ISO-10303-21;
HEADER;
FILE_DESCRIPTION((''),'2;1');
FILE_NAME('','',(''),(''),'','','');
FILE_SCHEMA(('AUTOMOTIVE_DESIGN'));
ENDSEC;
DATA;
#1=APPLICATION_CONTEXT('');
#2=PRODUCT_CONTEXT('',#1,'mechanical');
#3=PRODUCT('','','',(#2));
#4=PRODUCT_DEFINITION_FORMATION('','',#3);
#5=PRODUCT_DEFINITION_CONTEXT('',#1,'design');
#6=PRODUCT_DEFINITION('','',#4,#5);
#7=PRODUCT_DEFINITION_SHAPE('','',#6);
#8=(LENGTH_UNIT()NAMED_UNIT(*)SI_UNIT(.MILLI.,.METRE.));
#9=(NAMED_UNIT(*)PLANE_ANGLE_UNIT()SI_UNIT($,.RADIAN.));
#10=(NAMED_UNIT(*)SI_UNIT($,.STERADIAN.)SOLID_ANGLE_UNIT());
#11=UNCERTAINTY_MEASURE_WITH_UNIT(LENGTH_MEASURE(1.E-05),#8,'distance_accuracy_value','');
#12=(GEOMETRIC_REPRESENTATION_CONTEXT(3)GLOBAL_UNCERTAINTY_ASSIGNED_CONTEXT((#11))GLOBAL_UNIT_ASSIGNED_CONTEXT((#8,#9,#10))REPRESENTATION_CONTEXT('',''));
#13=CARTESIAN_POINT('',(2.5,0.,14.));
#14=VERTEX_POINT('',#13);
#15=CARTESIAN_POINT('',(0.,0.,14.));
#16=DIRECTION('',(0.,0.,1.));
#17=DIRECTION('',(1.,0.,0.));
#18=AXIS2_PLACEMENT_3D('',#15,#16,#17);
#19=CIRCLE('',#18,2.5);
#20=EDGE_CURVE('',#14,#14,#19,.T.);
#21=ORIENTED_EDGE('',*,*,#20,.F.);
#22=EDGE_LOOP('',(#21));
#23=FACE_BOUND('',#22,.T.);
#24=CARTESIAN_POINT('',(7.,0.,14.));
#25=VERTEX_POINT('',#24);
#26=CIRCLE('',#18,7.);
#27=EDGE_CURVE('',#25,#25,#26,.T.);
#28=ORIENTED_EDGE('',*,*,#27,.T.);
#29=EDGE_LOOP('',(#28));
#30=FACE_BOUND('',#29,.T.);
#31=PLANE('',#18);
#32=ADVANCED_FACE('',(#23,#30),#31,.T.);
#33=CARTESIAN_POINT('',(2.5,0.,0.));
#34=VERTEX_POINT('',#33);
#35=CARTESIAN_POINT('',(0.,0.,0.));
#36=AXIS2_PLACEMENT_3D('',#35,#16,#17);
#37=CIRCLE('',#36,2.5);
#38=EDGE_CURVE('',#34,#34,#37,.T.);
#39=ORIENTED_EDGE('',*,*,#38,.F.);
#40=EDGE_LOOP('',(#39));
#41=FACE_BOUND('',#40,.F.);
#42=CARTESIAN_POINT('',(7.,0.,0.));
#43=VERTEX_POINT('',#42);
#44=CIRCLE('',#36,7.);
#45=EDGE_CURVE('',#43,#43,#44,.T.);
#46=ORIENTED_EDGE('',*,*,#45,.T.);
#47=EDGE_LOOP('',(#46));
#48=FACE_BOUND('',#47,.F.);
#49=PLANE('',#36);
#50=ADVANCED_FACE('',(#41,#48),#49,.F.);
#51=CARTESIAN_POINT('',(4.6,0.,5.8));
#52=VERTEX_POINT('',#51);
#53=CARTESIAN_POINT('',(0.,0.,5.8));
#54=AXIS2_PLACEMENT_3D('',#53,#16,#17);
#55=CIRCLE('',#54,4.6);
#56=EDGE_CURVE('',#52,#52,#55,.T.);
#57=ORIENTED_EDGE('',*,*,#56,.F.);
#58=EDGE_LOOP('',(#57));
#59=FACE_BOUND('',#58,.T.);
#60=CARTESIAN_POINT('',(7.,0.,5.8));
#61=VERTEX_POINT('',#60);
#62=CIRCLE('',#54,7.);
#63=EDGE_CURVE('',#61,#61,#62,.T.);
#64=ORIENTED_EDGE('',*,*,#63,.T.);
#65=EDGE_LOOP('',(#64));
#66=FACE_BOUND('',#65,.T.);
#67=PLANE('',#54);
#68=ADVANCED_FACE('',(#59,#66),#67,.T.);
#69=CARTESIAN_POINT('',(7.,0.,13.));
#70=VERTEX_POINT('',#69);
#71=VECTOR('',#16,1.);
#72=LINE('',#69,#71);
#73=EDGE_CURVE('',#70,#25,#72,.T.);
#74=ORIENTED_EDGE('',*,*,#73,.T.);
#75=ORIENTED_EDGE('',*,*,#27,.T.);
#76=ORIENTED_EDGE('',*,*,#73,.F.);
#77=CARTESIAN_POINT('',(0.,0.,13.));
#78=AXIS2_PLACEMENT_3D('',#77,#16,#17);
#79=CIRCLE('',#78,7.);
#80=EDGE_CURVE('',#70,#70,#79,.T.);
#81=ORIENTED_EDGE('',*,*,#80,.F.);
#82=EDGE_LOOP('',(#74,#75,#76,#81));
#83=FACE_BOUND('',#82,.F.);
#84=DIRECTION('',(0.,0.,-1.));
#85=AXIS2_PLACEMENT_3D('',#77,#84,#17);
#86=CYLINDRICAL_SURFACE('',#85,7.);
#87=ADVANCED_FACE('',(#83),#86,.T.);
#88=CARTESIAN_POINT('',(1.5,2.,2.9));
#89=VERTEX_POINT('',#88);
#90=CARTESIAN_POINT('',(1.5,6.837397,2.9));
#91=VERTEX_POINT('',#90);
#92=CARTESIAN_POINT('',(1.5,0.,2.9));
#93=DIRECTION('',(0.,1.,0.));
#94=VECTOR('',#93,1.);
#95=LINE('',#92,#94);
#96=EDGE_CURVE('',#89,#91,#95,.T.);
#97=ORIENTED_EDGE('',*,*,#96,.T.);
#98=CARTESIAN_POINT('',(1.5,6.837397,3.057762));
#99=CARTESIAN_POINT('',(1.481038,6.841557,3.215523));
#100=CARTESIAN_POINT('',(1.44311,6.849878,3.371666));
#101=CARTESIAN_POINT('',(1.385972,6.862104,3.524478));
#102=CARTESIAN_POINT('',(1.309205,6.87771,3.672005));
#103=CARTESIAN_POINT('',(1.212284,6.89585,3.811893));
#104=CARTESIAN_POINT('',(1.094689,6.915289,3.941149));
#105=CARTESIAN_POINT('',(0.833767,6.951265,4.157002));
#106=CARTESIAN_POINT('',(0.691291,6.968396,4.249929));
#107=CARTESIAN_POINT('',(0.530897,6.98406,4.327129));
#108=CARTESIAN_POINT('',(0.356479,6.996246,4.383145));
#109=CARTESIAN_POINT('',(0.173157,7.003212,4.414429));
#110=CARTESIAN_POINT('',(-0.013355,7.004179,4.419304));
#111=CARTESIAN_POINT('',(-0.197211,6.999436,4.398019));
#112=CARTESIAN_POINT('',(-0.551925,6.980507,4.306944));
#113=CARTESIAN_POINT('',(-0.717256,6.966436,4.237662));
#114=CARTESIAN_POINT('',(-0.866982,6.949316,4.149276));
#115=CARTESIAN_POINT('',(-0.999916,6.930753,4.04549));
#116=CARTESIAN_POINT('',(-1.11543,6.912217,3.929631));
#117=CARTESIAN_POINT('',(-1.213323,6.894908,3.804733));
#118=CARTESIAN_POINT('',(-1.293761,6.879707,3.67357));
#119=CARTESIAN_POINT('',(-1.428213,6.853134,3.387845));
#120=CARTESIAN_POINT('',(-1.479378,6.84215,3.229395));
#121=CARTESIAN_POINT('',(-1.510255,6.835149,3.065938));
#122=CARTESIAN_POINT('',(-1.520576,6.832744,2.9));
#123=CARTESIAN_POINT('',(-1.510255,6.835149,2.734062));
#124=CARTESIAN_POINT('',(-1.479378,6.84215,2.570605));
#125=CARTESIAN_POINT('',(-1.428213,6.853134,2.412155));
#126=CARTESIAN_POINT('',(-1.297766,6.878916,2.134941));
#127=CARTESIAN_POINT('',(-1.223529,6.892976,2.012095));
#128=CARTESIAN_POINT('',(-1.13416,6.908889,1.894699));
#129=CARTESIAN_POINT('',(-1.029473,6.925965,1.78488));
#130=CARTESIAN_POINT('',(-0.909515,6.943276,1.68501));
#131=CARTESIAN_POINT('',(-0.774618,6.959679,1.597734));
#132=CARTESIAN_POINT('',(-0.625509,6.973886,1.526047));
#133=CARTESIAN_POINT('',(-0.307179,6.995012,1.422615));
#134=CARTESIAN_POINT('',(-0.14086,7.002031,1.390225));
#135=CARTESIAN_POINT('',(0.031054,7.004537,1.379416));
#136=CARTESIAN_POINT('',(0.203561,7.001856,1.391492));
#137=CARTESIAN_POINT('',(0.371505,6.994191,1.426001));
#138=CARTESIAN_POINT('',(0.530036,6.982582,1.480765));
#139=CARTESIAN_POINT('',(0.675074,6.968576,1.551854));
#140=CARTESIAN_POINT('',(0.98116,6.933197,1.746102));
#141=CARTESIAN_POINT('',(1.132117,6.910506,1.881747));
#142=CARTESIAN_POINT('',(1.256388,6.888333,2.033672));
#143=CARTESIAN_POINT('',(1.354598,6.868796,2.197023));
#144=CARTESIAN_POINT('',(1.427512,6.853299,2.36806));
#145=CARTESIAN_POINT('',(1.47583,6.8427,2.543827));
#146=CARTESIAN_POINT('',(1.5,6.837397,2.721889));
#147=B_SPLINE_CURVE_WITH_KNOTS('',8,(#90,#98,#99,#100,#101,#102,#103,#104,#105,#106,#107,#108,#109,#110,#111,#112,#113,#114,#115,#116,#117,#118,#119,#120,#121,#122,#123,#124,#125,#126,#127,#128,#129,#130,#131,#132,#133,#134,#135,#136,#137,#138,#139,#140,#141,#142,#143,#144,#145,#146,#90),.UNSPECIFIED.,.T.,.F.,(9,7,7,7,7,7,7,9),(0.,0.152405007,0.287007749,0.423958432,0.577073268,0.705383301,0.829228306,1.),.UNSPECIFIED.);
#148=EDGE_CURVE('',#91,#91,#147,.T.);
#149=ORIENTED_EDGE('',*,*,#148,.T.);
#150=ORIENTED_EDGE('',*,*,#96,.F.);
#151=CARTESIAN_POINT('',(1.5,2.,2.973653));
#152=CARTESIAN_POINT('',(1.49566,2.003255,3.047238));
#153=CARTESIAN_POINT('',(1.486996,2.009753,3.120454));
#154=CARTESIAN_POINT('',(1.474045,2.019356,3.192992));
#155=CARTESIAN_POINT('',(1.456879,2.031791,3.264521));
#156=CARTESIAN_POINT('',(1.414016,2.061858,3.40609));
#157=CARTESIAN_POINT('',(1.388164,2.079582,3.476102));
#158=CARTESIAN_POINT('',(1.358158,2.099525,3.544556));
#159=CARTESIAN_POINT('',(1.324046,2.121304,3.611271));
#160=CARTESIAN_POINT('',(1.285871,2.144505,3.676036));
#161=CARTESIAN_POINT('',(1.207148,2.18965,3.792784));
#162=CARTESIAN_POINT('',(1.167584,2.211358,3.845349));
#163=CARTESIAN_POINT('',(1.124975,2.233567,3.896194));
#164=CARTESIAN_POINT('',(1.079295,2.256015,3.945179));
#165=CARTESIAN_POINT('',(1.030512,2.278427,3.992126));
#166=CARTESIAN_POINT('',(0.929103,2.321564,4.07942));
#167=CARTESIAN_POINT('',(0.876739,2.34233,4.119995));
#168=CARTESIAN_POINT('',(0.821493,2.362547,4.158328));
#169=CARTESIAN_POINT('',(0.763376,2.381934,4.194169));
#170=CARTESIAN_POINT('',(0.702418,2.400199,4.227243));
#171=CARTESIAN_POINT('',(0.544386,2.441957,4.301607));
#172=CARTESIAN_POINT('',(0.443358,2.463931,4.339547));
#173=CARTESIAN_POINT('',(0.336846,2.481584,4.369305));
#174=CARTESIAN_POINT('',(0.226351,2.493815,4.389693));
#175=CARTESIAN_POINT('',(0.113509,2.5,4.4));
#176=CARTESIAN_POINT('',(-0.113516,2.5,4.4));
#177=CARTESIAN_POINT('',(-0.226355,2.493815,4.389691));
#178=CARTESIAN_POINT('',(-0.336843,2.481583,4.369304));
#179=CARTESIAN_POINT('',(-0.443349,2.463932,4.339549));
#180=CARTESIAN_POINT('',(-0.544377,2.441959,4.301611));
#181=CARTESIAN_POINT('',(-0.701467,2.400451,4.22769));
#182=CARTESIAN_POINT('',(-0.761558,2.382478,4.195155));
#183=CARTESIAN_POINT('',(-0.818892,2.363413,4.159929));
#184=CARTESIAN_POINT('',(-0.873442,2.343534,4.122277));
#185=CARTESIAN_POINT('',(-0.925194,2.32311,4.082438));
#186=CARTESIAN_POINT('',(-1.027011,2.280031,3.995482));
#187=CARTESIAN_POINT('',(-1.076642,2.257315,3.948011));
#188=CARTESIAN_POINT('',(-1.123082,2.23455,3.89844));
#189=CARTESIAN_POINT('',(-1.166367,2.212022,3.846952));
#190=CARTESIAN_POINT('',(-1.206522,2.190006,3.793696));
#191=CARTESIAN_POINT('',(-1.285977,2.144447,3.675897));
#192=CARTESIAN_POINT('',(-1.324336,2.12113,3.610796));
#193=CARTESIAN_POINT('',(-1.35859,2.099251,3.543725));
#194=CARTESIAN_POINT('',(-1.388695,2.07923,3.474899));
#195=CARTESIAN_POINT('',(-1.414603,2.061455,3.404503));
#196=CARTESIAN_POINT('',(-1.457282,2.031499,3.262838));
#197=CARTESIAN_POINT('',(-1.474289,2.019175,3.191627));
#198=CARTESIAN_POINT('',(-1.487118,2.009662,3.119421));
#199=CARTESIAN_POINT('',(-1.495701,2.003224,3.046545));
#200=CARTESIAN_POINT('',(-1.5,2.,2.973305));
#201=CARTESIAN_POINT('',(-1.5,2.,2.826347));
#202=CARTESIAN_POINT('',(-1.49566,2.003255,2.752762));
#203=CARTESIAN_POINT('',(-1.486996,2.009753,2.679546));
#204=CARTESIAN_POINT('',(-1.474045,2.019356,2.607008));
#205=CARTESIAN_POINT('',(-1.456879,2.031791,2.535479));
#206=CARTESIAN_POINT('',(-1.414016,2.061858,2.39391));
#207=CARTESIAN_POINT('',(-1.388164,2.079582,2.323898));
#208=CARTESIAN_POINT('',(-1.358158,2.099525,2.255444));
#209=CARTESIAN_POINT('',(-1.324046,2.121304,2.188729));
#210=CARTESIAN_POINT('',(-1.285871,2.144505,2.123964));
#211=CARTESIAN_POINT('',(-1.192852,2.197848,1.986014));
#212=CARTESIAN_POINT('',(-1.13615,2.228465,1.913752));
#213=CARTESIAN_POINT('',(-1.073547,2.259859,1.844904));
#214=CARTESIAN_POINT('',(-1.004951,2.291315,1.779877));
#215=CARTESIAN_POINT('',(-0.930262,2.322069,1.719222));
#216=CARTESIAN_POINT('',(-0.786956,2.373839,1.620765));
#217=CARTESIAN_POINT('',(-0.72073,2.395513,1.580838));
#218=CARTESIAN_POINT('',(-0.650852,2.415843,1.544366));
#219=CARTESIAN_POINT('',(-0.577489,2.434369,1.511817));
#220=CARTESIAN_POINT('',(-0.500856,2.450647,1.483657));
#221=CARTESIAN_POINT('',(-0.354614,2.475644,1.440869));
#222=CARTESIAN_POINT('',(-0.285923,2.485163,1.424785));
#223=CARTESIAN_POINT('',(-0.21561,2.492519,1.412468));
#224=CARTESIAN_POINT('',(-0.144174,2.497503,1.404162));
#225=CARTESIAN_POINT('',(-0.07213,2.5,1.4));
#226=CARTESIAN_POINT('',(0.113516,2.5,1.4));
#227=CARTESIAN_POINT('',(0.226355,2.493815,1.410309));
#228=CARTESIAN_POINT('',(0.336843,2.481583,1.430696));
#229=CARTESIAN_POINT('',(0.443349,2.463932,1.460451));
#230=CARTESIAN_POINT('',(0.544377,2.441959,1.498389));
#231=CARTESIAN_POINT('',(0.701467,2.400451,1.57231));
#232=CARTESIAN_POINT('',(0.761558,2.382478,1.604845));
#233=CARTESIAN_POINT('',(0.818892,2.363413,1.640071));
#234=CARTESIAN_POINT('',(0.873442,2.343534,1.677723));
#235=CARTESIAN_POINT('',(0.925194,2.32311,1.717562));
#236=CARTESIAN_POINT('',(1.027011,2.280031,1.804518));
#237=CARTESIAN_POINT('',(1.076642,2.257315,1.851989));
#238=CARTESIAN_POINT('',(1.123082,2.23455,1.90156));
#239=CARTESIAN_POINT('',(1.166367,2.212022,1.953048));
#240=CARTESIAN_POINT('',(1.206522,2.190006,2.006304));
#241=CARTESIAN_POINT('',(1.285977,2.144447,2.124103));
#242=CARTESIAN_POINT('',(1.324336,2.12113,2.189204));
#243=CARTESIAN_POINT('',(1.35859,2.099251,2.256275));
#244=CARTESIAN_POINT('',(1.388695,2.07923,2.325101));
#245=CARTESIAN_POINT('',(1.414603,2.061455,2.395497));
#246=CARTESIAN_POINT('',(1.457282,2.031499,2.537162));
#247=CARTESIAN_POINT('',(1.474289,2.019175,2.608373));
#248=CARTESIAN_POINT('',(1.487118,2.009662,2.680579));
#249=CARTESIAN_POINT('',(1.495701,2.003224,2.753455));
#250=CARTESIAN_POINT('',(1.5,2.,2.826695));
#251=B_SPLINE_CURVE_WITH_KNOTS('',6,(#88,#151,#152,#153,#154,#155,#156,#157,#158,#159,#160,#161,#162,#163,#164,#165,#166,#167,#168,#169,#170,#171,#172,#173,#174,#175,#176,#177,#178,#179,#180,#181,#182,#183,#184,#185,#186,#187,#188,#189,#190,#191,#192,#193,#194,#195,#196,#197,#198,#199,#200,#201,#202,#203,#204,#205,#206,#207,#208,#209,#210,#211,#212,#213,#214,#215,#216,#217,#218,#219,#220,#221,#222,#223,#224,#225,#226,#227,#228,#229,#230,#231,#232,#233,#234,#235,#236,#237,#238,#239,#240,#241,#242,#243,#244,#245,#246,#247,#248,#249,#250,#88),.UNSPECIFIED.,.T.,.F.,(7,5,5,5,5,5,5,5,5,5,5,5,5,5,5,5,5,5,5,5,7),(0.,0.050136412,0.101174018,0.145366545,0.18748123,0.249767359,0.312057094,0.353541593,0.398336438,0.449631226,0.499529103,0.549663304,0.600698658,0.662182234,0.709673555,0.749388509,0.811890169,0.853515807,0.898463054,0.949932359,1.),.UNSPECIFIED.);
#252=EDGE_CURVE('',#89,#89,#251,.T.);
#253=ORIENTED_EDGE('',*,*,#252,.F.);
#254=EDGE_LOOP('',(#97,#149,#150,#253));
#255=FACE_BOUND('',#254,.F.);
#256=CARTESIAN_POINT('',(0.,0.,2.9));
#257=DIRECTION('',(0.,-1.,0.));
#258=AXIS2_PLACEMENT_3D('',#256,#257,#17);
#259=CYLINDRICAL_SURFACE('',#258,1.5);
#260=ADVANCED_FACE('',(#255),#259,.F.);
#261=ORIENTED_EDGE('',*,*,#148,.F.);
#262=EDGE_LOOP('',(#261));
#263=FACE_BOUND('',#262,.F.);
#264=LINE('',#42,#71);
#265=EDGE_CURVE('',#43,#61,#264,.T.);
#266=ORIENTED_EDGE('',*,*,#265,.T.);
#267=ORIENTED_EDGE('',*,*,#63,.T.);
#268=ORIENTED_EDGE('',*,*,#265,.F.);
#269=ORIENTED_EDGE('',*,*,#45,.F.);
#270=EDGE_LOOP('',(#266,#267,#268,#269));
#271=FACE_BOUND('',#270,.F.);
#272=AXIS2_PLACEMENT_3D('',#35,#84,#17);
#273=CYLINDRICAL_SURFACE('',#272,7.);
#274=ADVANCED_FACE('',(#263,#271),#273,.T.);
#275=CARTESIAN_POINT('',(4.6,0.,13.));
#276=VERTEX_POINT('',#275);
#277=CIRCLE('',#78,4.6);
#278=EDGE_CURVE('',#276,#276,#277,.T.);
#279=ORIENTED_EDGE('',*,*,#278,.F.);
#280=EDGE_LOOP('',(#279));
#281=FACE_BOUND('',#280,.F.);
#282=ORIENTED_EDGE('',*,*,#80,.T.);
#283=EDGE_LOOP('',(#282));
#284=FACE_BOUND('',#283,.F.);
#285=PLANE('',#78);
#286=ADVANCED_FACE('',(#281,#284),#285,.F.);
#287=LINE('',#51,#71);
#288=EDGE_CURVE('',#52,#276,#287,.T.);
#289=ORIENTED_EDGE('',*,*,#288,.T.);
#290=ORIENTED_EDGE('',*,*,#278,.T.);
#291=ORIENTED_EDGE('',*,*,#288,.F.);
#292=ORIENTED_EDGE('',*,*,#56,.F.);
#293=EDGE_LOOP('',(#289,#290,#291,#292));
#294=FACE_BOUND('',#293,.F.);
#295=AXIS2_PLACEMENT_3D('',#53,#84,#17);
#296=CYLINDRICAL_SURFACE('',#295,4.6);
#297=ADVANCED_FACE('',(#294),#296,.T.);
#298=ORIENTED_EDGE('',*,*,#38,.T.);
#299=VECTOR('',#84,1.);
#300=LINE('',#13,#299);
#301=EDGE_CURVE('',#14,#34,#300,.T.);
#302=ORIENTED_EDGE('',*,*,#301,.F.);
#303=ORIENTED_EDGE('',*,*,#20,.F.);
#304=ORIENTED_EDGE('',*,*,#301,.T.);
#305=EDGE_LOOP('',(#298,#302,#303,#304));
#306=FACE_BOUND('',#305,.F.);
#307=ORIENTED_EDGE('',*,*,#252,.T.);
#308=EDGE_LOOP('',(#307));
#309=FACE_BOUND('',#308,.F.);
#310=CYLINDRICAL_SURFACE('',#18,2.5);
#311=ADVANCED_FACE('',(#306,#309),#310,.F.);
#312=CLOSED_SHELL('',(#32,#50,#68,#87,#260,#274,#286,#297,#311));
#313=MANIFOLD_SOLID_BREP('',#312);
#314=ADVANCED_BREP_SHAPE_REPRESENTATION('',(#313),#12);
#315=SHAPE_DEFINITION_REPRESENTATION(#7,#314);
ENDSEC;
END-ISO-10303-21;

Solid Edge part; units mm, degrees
sketch "Sketch1" plane through (0, 0, 0) normal (0, 0, 1) x (1, 0, 0)
  circle A0 centre (0, 0) radius 7
extrude "Protrusion1" add sketch "Sketch1" along normal blind 5.8
sketch "Sketch2" plane through (0, 0, 5.8) normal (0, 0, 1) x (1, 0, 0)
  circle A0 centre (0, 0) radius 4.6
extrude "ExtrudedProtrusion_2" add sketch "Sketch2" along normal blind 7.2
sketch "Sketch3" plane through (0, 0, 13) normal (0, 0, 1) x (1, 0, 0)
  circle A0 centre (0, 0) radius 7
extrude "ExtrudedProtrusion_3" add sketch "Sketch3" along normal blind 1
sketch "Sketch4" plane through (0, 0, 0) normal (0, -1, 0) x (1, 0, 0)
  circle A0 centre (0, 2.9) radius 1.5
extrude "ExtrudedCutout_1" cut sketch "Sketch4" against normal blind 115.8762
sketch "Sketch5" plane through (0, 0, 14) normal (0, 0, 1) x (1, 0, 0)
  circle A0 centre (0, 0) radius 2.5
extrude "Cutout1" cut sketch "Sketch5" against normal through all
properties material "ABS Plastic, medium impact"
